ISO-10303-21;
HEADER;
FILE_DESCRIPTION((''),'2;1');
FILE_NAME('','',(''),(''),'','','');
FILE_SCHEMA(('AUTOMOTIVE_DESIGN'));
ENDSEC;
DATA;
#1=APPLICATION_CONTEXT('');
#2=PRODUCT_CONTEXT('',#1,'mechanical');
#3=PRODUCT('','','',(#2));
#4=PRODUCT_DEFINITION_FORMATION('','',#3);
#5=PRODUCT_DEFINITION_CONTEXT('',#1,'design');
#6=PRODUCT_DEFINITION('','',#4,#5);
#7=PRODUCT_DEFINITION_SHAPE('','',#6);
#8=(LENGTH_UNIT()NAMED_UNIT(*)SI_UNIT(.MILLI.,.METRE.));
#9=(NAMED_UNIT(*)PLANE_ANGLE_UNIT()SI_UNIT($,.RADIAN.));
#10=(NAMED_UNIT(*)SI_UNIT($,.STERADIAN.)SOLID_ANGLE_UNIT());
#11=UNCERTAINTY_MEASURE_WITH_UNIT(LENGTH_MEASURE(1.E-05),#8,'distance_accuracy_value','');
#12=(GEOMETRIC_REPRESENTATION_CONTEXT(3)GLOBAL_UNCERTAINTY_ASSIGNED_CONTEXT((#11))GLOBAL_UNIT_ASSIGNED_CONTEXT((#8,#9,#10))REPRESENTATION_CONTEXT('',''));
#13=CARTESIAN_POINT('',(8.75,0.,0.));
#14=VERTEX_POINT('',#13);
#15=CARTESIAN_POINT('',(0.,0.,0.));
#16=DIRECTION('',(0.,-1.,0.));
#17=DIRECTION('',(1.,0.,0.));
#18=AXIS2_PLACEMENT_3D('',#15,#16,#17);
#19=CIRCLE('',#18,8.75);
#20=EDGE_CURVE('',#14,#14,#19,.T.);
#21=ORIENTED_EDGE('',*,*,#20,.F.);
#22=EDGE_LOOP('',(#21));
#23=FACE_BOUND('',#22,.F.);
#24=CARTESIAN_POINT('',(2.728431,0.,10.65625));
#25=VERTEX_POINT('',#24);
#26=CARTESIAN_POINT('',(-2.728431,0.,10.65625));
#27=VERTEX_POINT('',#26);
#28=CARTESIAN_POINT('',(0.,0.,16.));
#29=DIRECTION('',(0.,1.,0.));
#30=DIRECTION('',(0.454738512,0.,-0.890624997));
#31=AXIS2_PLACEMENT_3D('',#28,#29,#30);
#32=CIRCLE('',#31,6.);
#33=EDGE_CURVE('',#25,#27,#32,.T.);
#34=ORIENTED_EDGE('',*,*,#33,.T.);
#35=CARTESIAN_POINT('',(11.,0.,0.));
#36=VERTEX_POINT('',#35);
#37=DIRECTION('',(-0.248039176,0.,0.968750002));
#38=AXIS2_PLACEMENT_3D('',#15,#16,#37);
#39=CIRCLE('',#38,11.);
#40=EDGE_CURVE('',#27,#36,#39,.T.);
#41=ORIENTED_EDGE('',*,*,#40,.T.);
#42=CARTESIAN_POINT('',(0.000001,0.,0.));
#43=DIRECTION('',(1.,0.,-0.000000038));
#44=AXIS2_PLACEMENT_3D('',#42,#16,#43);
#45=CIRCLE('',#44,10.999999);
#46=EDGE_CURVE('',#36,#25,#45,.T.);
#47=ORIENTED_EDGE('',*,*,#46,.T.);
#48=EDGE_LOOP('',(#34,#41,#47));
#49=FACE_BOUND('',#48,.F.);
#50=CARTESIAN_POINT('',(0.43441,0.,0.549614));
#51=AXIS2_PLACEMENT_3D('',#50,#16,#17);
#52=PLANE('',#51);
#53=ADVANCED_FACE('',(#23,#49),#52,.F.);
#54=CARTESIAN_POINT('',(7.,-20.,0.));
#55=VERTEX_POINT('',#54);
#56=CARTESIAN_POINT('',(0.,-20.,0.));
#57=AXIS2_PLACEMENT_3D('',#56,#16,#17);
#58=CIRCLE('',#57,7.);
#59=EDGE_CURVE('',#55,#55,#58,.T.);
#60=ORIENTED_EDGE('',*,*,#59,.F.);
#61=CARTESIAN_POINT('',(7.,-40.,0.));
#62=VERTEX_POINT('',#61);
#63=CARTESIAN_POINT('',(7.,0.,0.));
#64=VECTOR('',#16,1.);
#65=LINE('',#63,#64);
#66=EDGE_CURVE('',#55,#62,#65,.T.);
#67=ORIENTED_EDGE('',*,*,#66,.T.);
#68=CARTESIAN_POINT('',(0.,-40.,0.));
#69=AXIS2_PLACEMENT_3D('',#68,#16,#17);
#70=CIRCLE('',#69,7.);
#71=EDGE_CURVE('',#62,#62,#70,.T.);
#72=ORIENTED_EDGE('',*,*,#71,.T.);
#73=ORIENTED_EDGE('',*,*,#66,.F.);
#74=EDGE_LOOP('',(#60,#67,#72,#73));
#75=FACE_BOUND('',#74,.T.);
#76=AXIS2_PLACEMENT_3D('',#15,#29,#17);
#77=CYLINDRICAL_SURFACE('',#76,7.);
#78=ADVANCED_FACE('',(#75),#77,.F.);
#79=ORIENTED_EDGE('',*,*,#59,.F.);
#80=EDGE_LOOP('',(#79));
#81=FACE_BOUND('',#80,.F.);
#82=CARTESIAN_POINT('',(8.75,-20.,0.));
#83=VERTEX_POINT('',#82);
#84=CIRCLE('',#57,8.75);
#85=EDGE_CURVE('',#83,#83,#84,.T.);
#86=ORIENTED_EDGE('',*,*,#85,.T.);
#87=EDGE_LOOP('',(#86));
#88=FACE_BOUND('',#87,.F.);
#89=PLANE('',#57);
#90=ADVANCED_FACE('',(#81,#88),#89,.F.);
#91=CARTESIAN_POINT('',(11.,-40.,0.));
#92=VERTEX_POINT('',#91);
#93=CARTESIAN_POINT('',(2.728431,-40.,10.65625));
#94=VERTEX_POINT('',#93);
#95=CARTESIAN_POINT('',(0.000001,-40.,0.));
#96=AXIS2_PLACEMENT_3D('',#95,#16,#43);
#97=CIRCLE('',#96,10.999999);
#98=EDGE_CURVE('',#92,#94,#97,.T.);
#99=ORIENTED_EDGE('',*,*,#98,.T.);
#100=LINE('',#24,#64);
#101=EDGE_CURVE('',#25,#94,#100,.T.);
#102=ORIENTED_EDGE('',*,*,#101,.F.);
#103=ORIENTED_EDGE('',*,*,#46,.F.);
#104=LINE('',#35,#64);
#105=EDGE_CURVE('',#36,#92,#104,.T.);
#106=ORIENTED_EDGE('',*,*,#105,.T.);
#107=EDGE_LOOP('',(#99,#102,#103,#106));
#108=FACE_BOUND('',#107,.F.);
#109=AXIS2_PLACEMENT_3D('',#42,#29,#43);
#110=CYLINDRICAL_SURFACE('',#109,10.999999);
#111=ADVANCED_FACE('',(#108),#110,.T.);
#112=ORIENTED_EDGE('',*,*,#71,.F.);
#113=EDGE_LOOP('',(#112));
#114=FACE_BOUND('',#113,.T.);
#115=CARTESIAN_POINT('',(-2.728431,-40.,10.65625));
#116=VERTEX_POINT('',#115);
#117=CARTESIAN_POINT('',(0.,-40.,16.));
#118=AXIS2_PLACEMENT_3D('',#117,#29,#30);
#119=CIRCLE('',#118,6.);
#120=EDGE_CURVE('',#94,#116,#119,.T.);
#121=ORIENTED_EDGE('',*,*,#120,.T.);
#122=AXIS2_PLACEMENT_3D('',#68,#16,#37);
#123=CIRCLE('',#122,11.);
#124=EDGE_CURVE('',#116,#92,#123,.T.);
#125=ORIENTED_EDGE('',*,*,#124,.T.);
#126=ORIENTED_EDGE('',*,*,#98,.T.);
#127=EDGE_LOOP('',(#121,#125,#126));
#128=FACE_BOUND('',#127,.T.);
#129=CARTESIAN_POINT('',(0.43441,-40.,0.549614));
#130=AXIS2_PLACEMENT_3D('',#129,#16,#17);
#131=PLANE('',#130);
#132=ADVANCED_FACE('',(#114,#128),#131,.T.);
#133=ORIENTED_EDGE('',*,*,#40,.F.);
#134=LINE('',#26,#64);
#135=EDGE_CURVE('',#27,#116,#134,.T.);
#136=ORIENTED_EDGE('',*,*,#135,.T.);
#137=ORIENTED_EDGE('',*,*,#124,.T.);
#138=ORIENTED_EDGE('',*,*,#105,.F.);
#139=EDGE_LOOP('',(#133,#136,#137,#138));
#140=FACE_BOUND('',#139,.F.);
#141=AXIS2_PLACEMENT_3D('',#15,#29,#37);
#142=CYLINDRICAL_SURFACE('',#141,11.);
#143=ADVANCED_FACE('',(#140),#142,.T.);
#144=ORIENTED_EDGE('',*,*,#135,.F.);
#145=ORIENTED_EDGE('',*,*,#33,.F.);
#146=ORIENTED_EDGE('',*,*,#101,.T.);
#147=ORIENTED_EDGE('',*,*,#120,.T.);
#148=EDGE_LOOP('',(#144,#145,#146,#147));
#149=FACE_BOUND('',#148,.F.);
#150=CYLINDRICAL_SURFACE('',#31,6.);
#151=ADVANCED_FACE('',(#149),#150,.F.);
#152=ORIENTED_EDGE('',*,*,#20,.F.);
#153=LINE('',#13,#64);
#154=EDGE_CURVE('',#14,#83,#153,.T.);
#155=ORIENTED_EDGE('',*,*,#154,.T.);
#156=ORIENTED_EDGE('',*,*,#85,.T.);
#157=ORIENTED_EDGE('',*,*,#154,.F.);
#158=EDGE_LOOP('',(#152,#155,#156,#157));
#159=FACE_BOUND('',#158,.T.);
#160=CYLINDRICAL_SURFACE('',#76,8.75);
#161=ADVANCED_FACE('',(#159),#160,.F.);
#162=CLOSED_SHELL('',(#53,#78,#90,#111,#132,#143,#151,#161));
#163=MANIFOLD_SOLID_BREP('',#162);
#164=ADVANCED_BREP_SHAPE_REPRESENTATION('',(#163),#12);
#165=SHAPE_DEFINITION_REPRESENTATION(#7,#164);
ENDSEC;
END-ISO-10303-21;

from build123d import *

# Parameters (mm, degrees)
F0_R     = 8.75
F0_R_2   = 7
F1_DEPTH = 40
F2_DEPTH = 20


with BuildPart() as f1:
    # F0 (on Front) → F1 (new body)
    with BuildSketch(Plane.XZ):
        with BuildLine():
            ThreePointArc((-2.728431, 10.65625), (-6.744897, -8.68944), (11, 0))
            ThreePointArc((11, 0), (8.68944, 6.744897), (2.728431, 10.65625))
            ThreePointArc((2.728431, 10.65625), (0, 10), (-2.728431, 10.65625))
        make_face()
        Circle(F0_R, mode=Mode.SUBTRACT)
        Circle(F0_R)
        Circle(F0_R_2, mode=Mode.SUBTRACT)
    extrude(amount=F1_DEPTH)

    # F0 (on Front) → F2 (cut)
    with BuildSketch(Plane.XZ):
        Circle(F0_R)
        Circle(F0_R_2, mode=Mode.SUBTRACT)
    extrude(amount=F2_DEPTH, mode=Mode.SUBTRACT)


solid = f1.part
